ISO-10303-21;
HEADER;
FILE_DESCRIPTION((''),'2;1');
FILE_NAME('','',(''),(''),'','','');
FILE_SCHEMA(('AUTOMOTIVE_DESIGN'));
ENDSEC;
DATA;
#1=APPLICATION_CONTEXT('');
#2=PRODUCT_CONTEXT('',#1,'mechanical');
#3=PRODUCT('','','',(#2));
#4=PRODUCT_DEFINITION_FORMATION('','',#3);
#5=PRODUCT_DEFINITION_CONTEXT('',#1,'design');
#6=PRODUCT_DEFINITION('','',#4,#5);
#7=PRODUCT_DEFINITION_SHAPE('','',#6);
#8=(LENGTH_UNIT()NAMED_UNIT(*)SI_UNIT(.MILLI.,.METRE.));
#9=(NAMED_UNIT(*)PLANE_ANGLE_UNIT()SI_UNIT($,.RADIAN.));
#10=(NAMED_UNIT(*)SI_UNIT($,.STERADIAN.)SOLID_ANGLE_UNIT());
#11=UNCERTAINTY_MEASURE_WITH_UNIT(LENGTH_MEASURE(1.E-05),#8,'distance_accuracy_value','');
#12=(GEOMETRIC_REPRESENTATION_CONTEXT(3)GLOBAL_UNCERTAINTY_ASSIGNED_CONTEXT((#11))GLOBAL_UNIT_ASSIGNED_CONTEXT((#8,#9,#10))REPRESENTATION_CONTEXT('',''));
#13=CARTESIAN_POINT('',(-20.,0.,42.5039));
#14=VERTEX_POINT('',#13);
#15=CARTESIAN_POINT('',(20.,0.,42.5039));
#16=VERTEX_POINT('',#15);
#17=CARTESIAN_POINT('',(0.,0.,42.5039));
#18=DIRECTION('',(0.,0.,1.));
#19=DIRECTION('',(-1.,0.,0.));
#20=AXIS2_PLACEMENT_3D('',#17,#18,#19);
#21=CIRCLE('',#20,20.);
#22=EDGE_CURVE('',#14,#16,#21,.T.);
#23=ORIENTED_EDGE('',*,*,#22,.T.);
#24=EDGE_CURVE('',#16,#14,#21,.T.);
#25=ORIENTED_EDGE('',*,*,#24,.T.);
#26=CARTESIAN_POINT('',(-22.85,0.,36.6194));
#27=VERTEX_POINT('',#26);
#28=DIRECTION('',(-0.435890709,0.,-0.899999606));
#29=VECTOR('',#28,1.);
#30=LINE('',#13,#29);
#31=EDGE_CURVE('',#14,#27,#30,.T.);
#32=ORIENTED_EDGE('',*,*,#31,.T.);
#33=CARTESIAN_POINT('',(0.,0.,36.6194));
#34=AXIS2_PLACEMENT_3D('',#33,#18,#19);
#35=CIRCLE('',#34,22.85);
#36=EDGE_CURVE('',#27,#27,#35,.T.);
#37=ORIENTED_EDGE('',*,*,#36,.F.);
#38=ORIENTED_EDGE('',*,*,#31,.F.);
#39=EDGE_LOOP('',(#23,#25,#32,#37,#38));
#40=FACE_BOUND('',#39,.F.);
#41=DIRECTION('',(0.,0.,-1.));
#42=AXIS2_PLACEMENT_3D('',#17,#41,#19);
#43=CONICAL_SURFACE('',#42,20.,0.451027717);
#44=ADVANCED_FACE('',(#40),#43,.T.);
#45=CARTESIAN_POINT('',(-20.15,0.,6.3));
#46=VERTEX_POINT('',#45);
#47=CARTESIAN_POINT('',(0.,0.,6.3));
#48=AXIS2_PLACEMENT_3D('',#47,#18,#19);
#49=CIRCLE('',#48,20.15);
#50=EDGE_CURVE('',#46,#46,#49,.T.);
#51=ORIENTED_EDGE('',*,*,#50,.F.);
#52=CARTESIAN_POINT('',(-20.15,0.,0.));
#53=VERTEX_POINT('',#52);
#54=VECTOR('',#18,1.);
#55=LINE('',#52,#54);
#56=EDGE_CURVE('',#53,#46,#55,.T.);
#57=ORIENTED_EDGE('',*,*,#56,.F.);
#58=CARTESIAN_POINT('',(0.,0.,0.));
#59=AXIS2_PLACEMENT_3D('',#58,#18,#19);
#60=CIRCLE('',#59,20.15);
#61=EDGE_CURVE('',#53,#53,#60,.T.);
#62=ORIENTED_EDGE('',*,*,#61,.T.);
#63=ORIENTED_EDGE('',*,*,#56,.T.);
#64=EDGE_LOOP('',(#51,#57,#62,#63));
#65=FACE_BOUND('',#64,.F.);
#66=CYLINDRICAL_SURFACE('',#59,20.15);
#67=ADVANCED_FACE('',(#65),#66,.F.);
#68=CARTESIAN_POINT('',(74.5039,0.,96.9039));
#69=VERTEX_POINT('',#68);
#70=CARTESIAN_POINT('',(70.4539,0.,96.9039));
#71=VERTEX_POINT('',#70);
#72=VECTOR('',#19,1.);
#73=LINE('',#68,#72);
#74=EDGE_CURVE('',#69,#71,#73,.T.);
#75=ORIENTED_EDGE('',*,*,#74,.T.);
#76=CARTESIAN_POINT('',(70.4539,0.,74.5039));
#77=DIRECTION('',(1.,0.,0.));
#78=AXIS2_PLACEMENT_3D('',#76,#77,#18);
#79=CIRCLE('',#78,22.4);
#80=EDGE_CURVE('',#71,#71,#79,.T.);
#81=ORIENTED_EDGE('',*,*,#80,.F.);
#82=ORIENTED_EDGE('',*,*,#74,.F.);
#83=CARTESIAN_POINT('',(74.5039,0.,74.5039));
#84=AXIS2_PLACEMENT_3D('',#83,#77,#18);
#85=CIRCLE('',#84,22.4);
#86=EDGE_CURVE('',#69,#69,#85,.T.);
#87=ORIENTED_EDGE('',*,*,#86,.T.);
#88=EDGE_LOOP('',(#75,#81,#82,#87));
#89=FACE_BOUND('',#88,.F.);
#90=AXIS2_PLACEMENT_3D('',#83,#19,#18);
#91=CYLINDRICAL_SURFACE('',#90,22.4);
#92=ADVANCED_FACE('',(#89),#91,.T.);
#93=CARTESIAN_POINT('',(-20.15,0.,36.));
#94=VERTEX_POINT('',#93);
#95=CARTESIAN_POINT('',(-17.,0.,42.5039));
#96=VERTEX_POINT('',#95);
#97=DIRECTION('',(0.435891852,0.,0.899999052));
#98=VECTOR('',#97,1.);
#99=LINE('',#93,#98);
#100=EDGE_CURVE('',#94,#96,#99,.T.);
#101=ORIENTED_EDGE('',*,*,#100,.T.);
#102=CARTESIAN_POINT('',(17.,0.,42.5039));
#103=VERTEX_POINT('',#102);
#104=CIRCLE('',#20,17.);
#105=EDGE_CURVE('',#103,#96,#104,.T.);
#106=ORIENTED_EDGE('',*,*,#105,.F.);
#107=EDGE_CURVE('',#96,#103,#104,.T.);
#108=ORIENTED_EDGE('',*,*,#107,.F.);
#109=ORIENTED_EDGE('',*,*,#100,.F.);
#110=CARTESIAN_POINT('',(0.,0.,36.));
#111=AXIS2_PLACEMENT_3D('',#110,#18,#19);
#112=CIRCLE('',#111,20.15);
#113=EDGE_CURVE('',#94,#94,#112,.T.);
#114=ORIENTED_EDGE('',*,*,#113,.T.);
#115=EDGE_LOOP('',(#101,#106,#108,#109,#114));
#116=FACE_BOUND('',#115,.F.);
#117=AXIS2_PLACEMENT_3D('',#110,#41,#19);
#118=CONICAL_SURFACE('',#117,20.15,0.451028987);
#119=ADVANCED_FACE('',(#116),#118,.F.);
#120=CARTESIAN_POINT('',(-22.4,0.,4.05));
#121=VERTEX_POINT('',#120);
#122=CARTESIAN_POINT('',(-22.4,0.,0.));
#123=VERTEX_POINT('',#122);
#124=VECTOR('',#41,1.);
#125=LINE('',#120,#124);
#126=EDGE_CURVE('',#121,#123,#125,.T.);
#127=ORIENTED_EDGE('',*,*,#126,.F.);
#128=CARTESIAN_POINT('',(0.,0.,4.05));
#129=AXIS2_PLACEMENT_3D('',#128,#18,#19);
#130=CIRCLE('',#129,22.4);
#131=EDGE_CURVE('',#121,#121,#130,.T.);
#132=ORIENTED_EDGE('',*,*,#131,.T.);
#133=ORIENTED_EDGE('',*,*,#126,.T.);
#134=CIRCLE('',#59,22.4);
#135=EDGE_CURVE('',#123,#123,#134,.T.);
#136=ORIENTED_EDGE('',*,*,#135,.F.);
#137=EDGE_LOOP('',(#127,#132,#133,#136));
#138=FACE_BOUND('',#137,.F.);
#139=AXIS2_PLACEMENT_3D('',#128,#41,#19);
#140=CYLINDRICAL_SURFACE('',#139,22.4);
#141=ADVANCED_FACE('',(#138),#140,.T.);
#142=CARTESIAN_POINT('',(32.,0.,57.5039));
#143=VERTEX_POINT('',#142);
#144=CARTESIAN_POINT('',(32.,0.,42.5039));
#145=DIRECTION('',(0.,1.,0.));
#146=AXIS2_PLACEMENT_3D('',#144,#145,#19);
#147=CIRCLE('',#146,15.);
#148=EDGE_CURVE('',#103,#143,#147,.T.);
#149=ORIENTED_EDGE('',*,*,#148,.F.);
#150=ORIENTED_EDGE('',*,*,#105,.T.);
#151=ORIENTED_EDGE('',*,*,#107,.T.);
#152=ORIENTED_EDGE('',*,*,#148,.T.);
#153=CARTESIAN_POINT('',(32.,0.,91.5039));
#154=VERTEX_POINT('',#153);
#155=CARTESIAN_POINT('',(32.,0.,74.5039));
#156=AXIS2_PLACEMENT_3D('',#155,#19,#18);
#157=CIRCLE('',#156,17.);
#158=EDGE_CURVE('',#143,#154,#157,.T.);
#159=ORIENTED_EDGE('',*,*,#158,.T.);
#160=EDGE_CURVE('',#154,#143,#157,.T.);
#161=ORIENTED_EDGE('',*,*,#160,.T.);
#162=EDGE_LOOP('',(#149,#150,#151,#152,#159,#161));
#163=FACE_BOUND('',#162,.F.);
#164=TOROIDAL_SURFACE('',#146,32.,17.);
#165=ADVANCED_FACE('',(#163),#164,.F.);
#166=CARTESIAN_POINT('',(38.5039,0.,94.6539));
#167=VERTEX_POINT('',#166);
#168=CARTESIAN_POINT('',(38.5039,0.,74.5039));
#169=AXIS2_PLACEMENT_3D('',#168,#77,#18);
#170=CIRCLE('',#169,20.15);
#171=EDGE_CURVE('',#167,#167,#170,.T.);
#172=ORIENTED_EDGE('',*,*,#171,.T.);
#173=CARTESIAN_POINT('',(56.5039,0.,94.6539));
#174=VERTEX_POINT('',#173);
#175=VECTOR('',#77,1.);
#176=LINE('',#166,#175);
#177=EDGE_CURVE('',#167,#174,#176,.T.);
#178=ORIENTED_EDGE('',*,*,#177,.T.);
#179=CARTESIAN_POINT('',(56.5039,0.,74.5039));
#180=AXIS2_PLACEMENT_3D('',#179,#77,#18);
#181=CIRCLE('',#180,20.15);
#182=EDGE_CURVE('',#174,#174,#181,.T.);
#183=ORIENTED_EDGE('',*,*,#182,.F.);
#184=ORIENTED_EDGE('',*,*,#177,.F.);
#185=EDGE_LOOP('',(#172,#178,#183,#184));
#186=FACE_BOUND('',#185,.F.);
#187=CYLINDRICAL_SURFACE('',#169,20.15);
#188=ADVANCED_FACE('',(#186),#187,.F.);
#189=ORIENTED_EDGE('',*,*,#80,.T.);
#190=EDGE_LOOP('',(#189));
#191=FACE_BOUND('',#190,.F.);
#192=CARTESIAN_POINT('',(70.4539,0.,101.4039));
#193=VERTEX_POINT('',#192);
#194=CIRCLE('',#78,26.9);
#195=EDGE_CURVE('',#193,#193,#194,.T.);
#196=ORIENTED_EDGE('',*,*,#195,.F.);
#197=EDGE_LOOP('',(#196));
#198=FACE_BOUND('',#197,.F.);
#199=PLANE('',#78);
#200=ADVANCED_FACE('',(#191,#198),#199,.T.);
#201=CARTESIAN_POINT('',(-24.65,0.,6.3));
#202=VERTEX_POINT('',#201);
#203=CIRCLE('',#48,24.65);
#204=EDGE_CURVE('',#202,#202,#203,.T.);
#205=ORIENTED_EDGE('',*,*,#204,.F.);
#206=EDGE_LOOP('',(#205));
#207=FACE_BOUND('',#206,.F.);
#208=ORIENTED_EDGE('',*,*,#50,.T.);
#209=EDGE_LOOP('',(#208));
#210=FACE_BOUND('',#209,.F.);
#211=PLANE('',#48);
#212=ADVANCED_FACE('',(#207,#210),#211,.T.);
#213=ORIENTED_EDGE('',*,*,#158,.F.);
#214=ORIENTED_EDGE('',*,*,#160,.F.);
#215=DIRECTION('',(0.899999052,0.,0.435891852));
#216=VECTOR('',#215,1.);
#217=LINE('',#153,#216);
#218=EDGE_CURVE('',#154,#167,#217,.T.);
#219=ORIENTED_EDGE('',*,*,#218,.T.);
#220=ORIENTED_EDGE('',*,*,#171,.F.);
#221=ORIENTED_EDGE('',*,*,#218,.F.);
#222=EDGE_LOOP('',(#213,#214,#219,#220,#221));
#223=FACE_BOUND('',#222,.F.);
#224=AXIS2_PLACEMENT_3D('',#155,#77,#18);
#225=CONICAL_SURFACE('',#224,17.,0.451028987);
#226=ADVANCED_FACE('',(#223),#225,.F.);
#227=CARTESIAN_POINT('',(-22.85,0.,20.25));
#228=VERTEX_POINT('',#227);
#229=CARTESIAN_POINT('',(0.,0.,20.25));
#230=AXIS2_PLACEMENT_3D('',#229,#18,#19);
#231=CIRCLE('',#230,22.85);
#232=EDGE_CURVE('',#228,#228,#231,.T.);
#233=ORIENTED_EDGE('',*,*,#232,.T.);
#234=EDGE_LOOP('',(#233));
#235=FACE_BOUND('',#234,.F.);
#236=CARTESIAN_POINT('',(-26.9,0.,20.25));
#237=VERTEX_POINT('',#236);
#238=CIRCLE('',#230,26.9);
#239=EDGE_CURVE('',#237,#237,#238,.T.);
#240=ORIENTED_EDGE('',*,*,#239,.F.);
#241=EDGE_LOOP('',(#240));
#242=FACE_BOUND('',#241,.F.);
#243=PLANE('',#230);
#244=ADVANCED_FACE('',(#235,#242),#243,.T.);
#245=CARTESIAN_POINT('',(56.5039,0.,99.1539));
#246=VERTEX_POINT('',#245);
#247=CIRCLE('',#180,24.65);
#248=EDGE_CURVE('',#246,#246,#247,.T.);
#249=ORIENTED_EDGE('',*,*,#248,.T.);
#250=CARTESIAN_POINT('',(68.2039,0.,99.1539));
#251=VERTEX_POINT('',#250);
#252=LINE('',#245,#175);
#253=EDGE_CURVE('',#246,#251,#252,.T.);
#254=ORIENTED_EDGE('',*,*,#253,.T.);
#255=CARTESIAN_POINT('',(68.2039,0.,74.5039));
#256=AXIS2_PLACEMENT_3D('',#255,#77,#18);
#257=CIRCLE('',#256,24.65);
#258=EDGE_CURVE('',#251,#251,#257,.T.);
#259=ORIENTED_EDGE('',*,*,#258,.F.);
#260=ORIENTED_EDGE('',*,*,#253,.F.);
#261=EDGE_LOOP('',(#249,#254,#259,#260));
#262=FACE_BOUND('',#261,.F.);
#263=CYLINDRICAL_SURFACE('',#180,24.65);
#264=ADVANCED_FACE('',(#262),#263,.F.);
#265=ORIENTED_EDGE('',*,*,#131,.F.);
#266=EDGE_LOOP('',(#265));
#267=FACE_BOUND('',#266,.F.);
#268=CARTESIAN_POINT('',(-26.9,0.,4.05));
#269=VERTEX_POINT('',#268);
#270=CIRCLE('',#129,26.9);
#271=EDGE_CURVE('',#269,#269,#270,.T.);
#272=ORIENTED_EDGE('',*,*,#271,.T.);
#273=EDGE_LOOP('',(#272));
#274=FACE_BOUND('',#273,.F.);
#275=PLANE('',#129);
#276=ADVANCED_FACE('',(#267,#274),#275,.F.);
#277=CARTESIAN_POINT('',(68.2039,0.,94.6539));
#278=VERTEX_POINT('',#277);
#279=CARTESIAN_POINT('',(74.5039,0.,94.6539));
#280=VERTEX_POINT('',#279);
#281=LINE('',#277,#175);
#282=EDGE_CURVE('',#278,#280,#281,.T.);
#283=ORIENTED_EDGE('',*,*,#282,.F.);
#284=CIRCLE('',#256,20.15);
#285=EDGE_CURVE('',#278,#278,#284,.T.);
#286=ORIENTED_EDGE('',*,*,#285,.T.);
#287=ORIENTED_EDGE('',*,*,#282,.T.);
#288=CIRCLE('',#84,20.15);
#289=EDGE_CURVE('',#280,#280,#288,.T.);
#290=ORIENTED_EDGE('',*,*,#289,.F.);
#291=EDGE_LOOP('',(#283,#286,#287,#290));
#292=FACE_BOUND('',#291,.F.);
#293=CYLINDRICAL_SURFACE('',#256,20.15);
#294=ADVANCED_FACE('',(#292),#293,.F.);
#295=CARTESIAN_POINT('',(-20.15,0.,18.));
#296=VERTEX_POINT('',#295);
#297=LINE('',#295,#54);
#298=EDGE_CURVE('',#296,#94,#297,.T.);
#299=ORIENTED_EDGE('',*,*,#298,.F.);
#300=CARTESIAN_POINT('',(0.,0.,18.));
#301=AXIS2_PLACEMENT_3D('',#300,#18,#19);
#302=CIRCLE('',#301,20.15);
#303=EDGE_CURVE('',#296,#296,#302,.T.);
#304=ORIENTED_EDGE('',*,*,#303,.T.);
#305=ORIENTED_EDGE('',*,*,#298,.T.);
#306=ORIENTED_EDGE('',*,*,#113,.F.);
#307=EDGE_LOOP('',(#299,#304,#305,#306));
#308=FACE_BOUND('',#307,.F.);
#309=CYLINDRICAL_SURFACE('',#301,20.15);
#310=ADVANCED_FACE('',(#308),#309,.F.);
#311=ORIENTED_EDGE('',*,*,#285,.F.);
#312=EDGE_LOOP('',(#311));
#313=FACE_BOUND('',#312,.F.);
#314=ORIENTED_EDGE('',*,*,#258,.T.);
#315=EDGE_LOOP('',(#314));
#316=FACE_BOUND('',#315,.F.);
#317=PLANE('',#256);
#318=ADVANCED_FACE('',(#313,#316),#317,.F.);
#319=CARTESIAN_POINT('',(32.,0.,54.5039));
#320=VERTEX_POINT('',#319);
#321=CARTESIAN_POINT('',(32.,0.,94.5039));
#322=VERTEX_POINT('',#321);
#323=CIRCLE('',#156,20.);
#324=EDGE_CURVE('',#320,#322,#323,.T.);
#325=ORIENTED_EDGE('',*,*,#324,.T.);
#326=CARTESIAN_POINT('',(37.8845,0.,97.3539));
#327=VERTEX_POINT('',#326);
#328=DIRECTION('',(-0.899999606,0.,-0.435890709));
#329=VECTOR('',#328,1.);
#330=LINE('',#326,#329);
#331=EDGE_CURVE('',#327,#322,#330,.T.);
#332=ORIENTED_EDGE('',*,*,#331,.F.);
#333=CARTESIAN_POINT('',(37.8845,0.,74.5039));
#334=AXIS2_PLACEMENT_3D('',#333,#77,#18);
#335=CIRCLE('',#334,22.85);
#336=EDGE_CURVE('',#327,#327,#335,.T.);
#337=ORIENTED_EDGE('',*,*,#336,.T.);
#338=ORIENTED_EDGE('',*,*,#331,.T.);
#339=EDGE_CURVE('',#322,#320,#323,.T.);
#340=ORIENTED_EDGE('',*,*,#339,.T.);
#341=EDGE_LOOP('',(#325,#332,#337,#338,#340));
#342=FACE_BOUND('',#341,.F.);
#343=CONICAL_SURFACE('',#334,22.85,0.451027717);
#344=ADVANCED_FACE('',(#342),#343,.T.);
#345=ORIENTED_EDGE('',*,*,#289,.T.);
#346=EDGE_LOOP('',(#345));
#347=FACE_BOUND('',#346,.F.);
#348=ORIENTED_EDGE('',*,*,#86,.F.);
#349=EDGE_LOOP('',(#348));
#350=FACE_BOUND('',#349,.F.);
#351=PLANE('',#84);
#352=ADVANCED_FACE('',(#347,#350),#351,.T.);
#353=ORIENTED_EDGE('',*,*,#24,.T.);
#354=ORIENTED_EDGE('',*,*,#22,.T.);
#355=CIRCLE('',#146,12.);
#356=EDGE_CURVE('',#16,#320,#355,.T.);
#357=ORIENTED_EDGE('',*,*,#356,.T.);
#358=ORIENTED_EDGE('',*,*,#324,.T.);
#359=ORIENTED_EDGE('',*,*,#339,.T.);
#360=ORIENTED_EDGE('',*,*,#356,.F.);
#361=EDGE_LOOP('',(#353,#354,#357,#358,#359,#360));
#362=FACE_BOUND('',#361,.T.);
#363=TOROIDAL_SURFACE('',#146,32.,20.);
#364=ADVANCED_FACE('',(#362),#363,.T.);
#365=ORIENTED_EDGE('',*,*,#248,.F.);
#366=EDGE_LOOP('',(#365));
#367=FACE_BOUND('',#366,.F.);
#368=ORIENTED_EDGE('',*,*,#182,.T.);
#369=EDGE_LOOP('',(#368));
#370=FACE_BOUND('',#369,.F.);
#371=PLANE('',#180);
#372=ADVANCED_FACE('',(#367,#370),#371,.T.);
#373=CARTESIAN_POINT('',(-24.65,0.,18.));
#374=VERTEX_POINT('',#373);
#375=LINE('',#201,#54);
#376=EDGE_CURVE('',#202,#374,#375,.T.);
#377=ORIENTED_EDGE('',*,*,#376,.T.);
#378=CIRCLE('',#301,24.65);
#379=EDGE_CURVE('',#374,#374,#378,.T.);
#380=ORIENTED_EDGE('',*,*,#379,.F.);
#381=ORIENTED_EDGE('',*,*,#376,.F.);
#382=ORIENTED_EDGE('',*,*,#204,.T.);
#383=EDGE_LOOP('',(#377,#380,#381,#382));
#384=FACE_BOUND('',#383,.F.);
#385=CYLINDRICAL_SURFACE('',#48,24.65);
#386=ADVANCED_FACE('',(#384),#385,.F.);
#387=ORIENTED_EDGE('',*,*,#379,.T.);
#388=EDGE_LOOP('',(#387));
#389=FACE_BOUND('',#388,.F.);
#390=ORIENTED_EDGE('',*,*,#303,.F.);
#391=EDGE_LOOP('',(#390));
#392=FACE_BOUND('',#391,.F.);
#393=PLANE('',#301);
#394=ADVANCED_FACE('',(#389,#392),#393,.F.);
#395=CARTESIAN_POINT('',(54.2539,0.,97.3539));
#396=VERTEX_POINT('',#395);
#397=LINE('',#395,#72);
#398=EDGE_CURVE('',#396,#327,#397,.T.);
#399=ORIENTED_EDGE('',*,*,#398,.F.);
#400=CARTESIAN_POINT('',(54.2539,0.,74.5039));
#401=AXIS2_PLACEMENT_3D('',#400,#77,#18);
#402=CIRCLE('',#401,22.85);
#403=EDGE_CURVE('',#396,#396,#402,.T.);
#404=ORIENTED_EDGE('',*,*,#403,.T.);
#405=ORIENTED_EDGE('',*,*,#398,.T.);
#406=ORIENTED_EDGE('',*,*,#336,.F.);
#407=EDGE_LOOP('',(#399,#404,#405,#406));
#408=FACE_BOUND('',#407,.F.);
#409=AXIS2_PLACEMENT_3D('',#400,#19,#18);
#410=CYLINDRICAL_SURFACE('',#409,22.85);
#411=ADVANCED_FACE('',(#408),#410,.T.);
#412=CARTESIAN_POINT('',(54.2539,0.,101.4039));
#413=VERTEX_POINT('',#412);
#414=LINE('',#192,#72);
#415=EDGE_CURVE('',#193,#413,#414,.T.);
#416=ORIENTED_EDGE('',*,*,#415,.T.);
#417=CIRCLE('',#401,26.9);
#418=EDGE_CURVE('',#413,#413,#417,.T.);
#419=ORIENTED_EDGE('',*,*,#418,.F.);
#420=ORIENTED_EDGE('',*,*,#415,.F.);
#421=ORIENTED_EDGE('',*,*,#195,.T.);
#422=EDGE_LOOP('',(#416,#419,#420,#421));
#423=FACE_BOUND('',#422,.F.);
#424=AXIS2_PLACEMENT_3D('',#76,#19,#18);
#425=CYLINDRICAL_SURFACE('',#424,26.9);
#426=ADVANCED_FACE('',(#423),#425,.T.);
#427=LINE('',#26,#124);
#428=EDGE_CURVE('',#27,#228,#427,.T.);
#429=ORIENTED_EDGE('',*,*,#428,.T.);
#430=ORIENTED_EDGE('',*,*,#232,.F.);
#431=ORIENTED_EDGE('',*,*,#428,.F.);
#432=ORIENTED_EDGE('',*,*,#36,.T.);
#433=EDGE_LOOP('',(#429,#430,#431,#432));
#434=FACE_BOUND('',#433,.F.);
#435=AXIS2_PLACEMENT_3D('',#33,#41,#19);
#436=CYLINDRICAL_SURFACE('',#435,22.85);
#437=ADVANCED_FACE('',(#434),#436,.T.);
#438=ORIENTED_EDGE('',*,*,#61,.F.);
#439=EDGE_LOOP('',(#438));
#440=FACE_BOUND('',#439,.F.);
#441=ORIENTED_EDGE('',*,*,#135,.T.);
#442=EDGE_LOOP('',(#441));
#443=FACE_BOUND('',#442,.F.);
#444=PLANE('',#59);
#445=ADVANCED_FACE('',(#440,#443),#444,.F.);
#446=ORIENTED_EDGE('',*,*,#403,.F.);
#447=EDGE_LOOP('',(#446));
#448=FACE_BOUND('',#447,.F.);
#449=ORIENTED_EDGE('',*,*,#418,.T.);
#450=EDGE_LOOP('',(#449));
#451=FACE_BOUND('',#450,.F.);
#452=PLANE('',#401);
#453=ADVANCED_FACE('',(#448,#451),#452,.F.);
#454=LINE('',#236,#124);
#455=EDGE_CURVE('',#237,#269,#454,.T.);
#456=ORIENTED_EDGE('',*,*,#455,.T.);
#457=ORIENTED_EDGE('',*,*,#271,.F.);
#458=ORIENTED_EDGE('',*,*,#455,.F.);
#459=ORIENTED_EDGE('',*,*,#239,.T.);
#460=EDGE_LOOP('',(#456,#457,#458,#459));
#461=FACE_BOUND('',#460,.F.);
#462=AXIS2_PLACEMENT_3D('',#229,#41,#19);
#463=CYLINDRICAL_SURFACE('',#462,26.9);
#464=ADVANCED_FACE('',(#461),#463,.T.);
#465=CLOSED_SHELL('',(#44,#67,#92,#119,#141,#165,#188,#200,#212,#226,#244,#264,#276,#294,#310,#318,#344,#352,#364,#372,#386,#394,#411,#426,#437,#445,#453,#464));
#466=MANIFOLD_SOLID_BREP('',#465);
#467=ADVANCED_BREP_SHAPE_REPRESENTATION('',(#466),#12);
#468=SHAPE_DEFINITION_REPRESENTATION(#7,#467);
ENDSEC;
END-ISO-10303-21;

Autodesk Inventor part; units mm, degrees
ref_plane "YZ Plane" through (0, 0, 0) normal (1, 0, 0) x (0, 1, 0)
ref_plane "XZ Plane" through (0, 0, 0) normal (0, 1, 0) x (-1, 0, 0)
ref_plane "XY Plane" through (0, 0, 0) normal (0, 0, 1) x (1, 0, 0)
sketch "Sketch1" plane through (0, 0, 0) normal (0, 1, 0) x (-1, 0, 0)
  line L0 (0, 0) -> (0, 42.5039)
  line L1 (17, 42.5039) -> (20, 42.5039)
  line L2 (0, 42.5039) -> (17, 42.5039) construction
  line L3 (20, 42.5039) -> (22.85, 36.6194)
  line L4 (22.85, 20.25) -> (26.9, 20.25)
  line L5 (26.9, 20.25) -> (26.9, 4.05)
  line L6 (26.9, 4.05) -> (22.4, 4.05)
  line L7 (22.4, 4.05) -> (22.4, 0)
  line L8 (22.4, 0) -> (20.15, 0)
  line L9 (20.15, 0) -> (20.15, 6.3)
  line L10 (20.15, 6.3) -> (24.65, 6.3)
  line L11 (24.65, 6.3) -> (24.65, 18)
  line L12 (24.65, 18) -> (20.15, 18)
  line L13 (20.15, 18) -> (20.15, 36)
  line L14 (20.15, 36) -> (17, 42.5039)
  line L15 (20.15, 0) -> (0, 0) construction
  line L16 (22.85, 36.6194) -> (22.85, 20.25)
  line L17 (0, 42.5039) -> (0, 74.5039) construction
  line L18 (0, 74.5039) -> (-32, 74.5039) construction
  line L19 (-32, 74.5039) -> (-74.5039, 74.5039) construction
  line L20 (-74.5039, 74.5039) -> (-74.5039, 94.6539) construction
  line L21 (-74.5039, 94.6539) -> (-74.5039, 96.9039)
  line L22 (-74.5039, 96.9039) -> (-70.4539, 96.9039)
  line L23 (-70.4539, 96.9039) -> (-70.4539, 101.4039)
  line L24 (-70.4539, 101.4039) -> (-54.2539, 101.4039)
  line L25 (-54.2539, 101.4039) -> (-54.2539, 97.3539)
  line L26 (-54.2539, 97.3539) -> (-37.8845, 97.3539)
  line L27 (-37.8845, 97.3539) -> (-32, 94.5039)
  line L28 (-32, 94.5039) -> (-32, 91.5039)
  line L29 (-32, 91.5039) -> (-38.5039, 94.6539)
  line L30 (-38.5039, 94.6539) -> (-56.5039, 94.6539)
  line L31 (-56.5039, 94.6539) -> (-56.5039, 99.1539)
  line L32 (-56.5039, 99.1539) -> (-68.2039, 99.1539)
  line L33 (-68.2039, 99.1539) -> (-68.2039, 94.6539)
  line L34 (-68.2039, 94.6539) -> (-74.5039, 94.6539)
  line L35 (-32, 91.5039) -> (-32, 74.5039) construction
  line L36 (20.15, 36) -> (0, 36) construction
  line L37 (-38.5039, 94.6539) -> (-38.5039, 74.5039) construction
  dimension "d0" = 2.25
  dimension "d1" = 2.25
  dimension "d2" = 2.25
  dimension "d4" = 2.7
  dimension "d5" = 2.25
  dimension "d6" = 6.75
  dimension "d7" = 40.3
  dimension "d8" = 18
  dimension "d9" = 18
  dimension "d11" = 6.3
  dimension "d12" = 40
  dimension "d13" = 3
  dimension "d14" = 2.7
  dimension "d17" = 40.3
  dimension "d18" = 2.25
  dimension "d19" = 2.25
  dimension "d20" = 2.25
  dimension "d21" = 2.25
  dimension "d22" = 4.5
  dimension "d23" = 2.7
  dimension "d24" = 3
  dimension "d25" = 40
  dimension "d26" = 6.3
  dimension "d27" = 18
  dimension "d28" = 18
  dimension "d29" = 32
  dimension "d30" = 32
  dimension "d31" = 2.7
revolve "Revolution1" add sketch "Sketch1" angle 360 about axis through (0, 0, 0) along (0, 0, 1) contours L1 L3 L16 L4 L5 L6 L7 L8 L9 L10 L11 L12 L13 L14
sketch "Sketch2" plane through (0, 0, 42.5039) normal (0, 0, 1) x (1, 0, 0)
  circle A0 centre (0, 0) radius 20 projected
  circle A1 centre (0, 0) radius 20
  circle A2 centre (0, 0) radius 17
  circle A3 centre (0, 0) radius 17 projected
sketch "Sketch3" plane through (0, 0, 0) normal (0, 1, 0) x (-1, 0, 0)
  line L0 (-20, 42.5039) -> (20, 42.5039) projected
  line L1 (0, 42.5039) -> (0, 74.5039) construction
  line L2 (0, 74.5039) -> (-32, 74.5039) construction
  arc A0 (0, 42.5039) -> (-32, 74.5039) centre (-32, 42.5039) ccw
  dimension "d15" = 32
  dimension "d16" = 32
sweep "Sweep1" add profiles "Sketch2" path "Sketch3" path curves A0
revolve "Revolution2" add sketch "Sketch1" angle 360 about axis through (32, 0, 74.5039) along (1, 0, 0) contours L21 L22 L23 L24 L25 L26 L27 L28 L29 L30 L31 L32 L33 L34
equation "\"d0\" = e3"
equation "\"d1\" = e3"
equation "\"d2\" = e3"
equation "\"d4\" = e2"
equation "\"d5\" = e3"
equation "\"d6\" = 3 * e3"
equation "\"d7\" = Ds"
equation "\"d8\" = C1"
equation "\"d9\" = A"
equation "\"d11\" = 0.35 * C1"
equation "\"d12\" = De"
equation "\"d13\" = e"
equation "\"d14\" = e2"
equation "\"d17\" = Ds"
equation "\"d18\" = e3"
equation "\"d19\" = e3"
equation "\"d20\" = e3"
equation "\"d21\" = e3"
equation "\"d22\" = 2 * e3"
equation "\"d23\" = e2"
equation "\"d24\" = e"
equation "\"d25\" = De"
equation "\"d26\" = 0.35 * C1"
equation "\"d27\" = C1"
equation "\"d28\" = A"
equation "\"d29\" = z"
equation "\"d30\" = z"
equation "\"d31\" = e2"
equation "\"d15\" = z"
equation "\"d16\" = z"
equation "\"z\" = 32"
equation "\"De\" = 40"
equation "\"e\" = 3"
equation "\"Ds\" = 40.3"
equation "\"e2\" = 0.9 * e"
equation "\"C1\" = 18"
equation "\"e3\" = 0.75 * e"
equation "\"A\" = 18"
equation "\"Size_Designation\" = 1.2345"
properties part number "ISO 3633 Изгиб 90 с раструбом только для соединений с эластомерными уплотнительными кольцами DN40" material "ПВХ, непластифицированный"
